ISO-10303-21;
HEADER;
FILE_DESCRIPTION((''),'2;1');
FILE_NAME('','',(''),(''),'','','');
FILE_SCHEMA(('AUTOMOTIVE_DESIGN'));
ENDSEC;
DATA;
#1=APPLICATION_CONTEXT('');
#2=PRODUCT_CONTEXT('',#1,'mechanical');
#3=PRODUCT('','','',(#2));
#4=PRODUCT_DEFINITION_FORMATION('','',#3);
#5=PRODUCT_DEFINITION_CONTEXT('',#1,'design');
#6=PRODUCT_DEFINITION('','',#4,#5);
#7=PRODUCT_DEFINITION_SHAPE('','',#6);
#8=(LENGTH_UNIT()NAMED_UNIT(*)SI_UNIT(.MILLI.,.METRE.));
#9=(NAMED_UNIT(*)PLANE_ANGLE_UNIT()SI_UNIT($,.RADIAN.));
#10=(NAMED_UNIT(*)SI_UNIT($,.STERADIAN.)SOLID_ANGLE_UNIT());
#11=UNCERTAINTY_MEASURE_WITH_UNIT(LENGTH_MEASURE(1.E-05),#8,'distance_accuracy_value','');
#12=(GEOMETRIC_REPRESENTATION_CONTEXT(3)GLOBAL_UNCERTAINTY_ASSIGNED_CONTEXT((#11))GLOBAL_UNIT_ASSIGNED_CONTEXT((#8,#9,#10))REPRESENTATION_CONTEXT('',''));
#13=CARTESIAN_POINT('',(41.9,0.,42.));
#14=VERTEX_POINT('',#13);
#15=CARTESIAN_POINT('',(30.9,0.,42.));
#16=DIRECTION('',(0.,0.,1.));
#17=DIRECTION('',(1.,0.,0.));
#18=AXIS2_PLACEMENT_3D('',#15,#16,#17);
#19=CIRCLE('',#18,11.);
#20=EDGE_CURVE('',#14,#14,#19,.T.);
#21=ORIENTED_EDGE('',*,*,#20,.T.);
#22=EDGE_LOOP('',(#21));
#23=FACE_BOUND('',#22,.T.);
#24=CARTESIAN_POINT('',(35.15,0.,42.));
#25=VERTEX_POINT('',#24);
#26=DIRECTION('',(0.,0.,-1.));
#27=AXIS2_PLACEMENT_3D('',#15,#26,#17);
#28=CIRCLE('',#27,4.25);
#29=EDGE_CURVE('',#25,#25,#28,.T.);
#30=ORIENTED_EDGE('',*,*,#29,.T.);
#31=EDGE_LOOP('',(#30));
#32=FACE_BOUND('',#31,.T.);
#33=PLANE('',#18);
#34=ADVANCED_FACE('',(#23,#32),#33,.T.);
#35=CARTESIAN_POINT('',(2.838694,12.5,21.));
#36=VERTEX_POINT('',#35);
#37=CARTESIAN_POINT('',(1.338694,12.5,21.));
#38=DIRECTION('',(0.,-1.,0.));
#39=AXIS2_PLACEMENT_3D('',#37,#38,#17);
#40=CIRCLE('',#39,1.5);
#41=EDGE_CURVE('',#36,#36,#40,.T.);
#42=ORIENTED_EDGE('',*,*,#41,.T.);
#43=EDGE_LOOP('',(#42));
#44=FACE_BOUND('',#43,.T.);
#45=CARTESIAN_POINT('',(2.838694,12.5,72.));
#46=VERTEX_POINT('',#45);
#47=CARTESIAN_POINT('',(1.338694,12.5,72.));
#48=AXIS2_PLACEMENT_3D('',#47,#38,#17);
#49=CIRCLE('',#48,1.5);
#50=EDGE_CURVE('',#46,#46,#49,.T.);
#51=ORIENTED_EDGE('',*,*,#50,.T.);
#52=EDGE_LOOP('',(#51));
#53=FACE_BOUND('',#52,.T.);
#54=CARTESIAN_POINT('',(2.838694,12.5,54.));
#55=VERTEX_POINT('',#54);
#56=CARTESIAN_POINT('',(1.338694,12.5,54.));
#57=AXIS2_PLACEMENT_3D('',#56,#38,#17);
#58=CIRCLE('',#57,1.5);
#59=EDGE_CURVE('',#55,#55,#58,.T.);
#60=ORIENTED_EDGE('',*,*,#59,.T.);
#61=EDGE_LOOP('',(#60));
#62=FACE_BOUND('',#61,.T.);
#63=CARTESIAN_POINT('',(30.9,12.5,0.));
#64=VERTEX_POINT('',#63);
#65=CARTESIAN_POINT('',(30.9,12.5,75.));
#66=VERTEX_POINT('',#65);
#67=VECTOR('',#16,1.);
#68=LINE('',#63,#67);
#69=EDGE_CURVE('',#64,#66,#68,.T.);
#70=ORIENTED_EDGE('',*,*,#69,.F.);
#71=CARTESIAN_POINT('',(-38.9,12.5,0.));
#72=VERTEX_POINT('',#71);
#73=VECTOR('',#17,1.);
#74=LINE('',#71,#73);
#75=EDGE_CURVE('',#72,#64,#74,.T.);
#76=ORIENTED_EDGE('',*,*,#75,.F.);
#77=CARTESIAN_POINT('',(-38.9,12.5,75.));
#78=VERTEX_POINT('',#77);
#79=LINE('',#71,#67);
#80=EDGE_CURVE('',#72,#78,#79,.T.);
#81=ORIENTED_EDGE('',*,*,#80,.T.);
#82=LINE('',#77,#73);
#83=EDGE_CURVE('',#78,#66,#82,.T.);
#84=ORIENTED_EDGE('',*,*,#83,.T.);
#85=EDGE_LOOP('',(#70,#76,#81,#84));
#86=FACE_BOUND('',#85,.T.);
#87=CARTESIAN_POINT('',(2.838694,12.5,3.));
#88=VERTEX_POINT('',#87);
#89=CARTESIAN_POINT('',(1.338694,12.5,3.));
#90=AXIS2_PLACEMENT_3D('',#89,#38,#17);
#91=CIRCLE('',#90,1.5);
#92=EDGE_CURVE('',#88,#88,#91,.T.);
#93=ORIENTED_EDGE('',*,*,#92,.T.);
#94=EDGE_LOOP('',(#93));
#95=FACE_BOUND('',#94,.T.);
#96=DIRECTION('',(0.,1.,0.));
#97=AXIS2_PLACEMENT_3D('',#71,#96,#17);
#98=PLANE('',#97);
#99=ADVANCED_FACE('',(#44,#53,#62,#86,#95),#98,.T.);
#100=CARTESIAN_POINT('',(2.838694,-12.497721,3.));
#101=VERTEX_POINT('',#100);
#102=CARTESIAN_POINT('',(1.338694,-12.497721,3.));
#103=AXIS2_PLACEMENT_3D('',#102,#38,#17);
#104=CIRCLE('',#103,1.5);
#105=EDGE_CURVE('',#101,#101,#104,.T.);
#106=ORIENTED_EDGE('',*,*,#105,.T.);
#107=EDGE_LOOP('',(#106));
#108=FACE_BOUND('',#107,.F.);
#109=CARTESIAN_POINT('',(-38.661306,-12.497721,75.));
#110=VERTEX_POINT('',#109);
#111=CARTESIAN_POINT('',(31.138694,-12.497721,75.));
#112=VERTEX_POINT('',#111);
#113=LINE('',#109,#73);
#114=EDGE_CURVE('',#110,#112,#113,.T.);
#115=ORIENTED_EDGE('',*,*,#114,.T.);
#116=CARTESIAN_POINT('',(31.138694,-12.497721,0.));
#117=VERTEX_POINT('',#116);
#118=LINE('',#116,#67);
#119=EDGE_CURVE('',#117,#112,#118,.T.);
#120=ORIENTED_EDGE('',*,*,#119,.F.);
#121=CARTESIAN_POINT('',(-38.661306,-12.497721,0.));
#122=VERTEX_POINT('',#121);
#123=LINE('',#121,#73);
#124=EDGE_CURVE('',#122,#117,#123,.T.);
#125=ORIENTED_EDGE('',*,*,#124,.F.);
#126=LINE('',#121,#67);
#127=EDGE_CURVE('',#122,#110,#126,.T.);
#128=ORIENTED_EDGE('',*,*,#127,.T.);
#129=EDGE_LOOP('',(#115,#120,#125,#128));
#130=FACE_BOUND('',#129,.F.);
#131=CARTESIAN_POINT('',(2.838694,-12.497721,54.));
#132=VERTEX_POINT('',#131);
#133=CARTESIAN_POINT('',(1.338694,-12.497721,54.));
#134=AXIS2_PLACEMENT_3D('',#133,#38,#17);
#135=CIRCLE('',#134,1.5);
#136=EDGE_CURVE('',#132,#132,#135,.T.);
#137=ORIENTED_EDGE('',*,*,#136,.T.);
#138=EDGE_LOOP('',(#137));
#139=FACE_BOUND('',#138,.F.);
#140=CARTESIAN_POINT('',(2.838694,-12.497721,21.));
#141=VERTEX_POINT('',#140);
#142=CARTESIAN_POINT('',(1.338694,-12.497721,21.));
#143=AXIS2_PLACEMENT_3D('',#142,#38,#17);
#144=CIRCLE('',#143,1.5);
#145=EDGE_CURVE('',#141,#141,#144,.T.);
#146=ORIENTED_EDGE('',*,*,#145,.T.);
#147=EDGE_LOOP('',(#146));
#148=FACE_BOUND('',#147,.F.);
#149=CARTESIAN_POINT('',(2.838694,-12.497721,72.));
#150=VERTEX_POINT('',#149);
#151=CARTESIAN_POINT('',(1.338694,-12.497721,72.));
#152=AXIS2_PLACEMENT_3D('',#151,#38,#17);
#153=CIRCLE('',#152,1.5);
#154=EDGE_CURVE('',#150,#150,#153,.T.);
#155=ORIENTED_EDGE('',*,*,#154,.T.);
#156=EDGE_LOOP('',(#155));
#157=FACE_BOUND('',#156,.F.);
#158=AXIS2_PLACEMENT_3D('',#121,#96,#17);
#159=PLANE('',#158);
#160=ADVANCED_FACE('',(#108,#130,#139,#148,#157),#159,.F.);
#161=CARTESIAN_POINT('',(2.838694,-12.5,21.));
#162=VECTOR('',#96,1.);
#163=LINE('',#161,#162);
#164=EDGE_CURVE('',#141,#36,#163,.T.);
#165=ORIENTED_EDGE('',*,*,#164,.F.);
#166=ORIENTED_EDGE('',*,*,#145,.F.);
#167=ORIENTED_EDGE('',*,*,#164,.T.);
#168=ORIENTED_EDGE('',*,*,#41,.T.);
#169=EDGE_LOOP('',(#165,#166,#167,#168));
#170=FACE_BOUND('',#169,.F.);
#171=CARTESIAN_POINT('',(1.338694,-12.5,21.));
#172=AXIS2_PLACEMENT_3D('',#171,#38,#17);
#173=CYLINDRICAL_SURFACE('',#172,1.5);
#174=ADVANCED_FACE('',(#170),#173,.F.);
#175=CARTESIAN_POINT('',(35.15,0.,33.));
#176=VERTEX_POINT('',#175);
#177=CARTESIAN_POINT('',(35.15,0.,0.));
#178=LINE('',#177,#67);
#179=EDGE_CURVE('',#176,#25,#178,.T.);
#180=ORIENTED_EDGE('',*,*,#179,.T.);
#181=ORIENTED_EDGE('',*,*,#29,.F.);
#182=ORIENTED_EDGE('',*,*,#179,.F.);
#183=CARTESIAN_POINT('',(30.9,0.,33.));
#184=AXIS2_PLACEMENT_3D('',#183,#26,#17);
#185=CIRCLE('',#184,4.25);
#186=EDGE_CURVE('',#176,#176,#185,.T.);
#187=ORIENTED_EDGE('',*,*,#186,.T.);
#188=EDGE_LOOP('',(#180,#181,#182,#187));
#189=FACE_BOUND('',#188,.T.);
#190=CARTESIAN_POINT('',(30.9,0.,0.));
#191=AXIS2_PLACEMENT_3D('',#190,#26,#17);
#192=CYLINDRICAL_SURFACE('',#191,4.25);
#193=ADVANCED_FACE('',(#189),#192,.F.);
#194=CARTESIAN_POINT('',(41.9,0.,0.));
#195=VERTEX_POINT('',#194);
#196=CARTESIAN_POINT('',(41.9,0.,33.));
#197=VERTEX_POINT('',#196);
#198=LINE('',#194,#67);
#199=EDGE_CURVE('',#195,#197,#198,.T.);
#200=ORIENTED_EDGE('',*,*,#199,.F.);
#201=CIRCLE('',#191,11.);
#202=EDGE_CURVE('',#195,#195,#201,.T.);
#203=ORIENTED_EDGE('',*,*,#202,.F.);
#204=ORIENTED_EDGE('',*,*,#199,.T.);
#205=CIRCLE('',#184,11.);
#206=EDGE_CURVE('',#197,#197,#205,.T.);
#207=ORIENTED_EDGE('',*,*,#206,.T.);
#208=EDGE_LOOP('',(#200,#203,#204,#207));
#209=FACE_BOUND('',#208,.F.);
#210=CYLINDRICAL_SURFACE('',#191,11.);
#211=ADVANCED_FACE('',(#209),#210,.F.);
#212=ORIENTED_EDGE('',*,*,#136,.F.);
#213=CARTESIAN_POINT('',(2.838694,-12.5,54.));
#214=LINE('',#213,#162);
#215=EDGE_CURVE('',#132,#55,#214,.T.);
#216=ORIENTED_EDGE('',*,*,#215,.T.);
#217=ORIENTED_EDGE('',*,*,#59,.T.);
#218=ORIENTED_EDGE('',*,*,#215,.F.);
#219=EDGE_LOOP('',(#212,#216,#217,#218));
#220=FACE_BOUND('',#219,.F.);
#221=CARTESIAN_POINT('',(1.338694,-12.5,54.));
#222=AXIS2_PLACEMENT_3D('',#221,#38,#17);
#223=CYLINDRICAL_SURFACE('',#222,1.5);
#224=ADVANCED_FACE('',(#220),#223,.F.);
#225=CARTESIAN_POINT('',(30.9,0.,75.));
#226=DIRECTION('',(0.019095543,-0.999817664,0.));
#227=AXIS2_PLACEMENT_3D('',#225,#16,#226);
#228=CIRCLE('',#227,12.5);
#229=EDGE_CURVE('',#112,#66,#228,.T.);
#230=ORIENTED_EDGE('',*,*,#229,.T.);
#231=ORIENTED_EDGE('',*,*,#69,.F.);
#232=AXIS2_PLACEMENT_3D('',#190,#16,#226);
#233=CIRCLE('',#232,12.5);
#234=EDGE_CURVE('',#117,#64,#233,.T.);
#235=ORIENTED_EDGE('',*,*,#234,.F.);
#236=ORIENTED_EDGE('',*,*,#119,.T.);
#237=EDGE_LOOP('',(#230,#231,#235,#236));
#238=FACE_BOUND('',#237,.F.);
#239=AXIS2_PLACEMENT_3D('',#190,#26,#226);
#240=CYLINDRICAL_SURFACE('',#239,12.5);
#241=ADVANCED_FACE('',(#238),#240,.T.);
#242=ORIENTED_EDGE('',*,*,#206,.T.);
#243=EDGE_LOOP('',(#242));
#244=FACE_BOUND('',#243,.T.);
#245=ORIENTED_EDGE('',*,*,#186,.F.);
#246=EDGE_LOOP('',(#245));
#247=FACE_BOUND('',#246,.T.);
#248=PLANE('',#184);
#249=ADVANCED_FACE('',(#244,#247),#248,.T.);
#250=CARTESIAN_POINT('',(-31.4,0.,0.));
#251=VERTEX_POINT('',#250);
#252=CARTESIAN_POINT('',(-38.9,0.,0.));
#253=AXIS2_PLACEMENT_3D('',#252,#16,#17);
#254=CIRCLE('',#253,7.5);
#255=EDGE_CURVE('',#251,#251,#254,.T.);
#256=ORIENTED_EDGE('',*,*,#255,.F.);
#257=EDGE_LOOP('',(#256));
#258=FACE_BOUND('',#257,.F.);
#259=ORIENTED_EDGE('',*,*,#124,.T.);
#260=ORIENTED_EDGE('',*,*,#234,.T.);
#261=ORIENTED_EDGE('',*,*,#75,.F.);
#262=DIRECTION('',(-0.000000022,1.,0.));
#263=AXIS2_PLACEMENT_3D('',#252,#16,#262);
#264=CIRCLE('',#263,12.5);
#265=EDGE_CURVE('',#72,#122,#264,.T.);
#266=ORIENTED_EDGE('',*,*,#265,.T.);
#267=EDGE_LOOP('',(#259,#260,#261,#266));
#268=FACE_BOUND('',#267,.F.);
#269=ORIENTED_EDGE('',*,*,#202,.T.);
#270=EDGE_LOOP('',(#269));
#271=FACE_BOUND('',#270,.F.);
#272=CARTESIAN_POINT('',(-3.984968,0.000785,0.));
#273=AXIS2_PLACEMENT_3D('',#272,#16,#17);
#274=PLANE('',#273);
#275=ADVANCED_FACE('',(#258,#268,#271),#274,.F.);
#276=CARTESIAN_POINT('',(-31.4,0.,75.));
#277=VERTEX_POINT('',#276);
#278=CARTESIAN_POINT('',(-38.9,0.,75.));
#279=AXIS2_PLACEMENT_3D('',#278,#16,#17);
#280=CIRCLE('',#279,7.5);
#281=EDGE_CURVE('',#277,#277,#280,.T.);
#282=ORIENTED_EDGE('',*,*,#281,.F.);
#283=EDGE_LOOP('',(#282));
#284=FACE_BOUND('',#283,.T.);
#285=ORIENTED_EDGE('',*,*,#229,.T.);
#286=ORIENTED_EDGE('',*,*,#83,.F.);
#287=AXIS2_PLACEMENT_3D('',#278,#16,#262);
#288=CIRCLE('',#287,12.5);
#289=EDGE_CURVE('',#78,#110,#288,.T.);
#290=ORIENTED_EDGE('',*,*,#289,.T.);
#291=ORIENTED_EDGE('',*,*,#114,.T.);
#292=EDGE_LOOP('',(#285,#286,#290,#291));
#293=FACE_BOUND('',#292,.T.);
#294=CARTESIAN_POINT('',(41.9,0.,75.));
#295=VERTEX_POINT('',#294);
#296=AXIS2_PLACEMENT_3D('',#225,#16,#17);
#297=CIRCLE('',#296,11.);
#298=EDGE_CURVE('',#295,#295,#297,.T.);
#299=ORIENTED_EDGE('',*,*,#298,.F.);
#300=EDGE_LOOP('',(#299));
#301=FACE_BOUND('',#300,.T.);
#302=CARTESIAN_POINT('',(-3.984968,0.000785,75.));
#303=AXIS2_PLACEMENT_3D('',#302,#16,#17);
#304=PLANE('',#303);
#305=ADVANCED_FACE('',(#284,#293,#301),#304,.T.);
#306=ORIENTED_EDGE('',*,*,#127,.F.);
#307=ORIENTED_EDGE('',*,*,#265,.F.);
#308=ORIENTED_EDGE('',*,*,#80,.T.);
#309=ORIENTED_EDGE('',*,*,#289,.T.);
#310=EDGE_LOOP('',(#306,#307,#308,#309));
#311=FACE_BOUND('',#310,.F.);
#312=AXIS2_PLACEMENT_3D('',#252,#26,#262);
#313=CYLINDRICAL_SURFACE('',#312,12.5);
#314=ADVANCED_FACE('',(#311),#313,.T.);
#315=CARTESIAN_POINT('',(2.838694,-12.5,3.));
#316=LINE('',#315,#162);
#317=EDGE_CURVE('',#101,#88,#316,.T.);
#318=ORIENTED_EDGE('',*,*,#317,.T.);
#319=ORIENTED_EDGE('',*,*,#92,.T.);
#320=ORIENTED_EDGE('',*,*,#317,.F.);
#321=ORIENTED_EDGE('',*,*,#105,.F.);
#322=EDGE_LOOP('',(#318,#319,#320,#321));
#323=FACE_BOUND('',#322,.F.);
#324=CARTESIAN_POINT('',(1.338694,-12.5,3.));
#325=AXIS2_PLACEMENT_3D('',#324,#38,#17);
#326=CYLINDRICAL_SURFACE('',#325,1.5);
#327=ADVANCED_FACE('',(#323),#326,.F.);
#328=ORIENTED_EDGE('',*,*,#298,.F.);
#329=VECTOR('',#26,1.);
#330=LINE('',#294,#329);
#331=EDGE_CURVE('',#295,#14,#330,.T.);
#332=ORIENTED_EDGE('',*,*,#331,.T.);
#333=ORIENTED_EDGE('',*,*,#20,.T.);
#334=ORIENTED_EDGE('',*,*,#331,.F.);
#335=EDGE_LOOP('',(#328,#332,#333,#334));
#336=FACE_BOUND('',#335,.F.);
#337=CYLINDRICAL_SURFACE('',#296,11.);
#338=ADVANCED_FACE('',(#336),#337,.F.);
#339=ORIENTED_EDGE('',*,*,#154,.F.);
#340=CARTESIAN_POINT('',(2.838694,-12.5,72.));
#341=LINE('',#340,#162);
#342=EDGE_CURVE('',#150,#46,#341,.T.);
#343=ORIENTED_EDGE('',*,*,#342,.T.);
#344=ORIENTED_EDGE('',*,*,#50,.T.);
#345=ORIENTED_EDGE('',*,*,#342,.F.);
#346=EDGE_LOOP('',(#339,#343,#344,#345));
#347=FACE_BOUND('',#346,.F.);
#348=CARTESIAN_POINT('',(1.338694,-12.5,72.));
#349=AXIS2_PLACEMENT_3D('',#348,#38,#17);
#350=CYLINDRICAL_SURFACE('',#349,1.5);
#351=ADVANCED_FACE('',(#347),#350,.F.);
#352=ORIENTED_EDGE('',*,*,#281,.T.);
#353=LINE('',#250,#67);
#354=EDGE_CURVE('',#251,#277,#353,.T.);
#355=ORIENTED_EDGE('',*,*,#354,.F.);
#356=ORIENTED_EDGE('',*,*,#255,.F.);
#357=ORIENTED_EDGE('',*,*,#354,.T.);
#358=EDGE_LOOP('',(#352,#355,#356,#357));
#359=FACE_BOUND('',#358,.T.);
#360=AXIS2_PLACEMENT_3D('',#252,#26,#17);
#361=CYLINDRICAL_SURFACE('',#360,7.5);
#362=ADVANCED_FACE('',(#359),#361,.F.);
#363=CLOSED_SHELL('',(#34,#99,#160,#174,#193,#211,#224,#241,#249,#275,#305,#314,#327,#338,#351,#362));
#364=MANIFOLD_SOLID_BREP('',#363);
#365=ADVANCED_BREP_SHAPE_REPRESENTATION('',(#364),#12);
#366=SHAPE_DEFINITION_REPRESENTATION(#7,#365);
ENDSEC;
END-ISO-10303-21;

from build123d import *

# Parameters (mm, degrees)
SKETCH_R        = 7.5
SKETCH_R_2      = 4.25
PAD_DEPTH       = 75
SKETCH004_R     = 1.5
HOLE001_DEPTH   = 25
HOLE001_TIPS_R  = 1.5
SKETCH005_R     = 11
POCKET002_DEPTH = 33
SKETCH006_R     = 11
POCKET003_DEPTH = 33


with BuildPart() as part:
    # Sketch → Pad (new body)
    with BuildSketch(Plane.XY):
        with BuildLine():
            ThreePointArc((-38.9, 12.5), (-51.39943, -0.119353), (-38.661306, -12.497721))
            Line((-38.661306, -12.497721), (31.138694, -12.497721))
            ThreePointArc((31.138694, -12.497721), (43.39943, 0.119353), (30.9, 12.5))
            Line((-38.9, 12.5), (30.9, 12.5))
        make_face()
        with Locations((-38.9, 0)):
            Circle(SKETCH_R, mode=Mode.SUBTRACT)
        with Locations((30.9, 0)):
            Circle(SKETCH_R_2, mode=Mode.SUBTRACT)
    extrude(amount=PAD_DEPTH)

    # Sketch004 → Hole001 (cut)
    with BuildSketch(Plane.XZ.offset(12.5)):
        with Locations((1.338694, 72)):
            Circle(SKETCH004_R)
        with Locations((1.338694, 54)):
            Circle(SKETCH004_R)
        with Locations((1.338694, 21)):
            Circle(SKETCH004_R)
        with Locations((1.338694, 3)):
            Circle(SKETCH004_R)
    extrude(amount=-HOLE001_DEPTH, mode=Mode.SUBTRACT)

    # Hole001 tips → Hole001 tip 1 section 0
    with BuildSketch(Plane.XZ.offset(-12.5), mode=Mode.PRIVATE) as hole001_tip_1_s0:
        with Locations((1.338694, 72)):
            Circle(HOLE001_TIPS_R)
    loft([hole001_tip_1_s0.sketch, Vertex(1.338694, 13.401291, 72)], mode=Mode.SUBTRACT)

    # Hole001 tips → Hole001 tip 2 section 0
    with BuildSketch(Plane.XZ.offset(-12.5), mode=Mode.PRIVATE) as hole001_tip_2_s0:
        with Locations((1.338694, 54)):
            Circle(HOLE001_TIPS_R)
    loft([hole001_tip_2_s0.sketch, Vertex(1.338694, 13.401291, 54)], mode=Mode.SUBTRACT)

    # Hole001 tips → Hole001 tip 3 section 0
    with BuildSketch(Plane.XZ.offset(-12.5), mode=Mode.PRIVATE) as hole001_tip_3_s0:
        with Locations((1.338694, 21)):
            Circle(HOLE001_TIPS_R)
    loft([hole001_tip_3_s0.sketch, Vertex(1.338694, 13.401291, 21)], mode=Mode.SUBTRACT)

    # Hole001 tips → Hole001 tip 4 section 0
    with BuildSketch(Plane.XZ.offset(-12.5), mode=Mode.PRIVATE) as hole001_tip_4_s0:
        with Locations((1.338694, 3)):
            Circle(HOLE001_TIPS_R)
    loft([hole001_tip_4_s0.sketch, Vertex(1.338694, 13.401291, 3)], mode=Mode.SUBTRACT)

    # Sketch005 (on Face5 of Hole001) → Pocket002 (cut)
    with BuildSketch(Plane.XY.offset(75)):
        with Locations((30.9, 0)):
            Circle(SKETCH005_R)
    extrude(amount=-POCKET002_DEPTH, mode=Mode.SUBTRACT)

    # Sketch006 (on Face4 of Pocket002) → Pocket003 (cut)
    with BuildSketch(Plane(origin=(0, 0, 0), x_dir=(1, 0, 0), z_dir=(0, 0, -1))):
        with Locations((30.9, 0)):
            Circle(SKETCH006_R)
    extrude(amount=-POCKET003_DEPTH, mode=Mode.SUBTRACT)


solid = part.part
